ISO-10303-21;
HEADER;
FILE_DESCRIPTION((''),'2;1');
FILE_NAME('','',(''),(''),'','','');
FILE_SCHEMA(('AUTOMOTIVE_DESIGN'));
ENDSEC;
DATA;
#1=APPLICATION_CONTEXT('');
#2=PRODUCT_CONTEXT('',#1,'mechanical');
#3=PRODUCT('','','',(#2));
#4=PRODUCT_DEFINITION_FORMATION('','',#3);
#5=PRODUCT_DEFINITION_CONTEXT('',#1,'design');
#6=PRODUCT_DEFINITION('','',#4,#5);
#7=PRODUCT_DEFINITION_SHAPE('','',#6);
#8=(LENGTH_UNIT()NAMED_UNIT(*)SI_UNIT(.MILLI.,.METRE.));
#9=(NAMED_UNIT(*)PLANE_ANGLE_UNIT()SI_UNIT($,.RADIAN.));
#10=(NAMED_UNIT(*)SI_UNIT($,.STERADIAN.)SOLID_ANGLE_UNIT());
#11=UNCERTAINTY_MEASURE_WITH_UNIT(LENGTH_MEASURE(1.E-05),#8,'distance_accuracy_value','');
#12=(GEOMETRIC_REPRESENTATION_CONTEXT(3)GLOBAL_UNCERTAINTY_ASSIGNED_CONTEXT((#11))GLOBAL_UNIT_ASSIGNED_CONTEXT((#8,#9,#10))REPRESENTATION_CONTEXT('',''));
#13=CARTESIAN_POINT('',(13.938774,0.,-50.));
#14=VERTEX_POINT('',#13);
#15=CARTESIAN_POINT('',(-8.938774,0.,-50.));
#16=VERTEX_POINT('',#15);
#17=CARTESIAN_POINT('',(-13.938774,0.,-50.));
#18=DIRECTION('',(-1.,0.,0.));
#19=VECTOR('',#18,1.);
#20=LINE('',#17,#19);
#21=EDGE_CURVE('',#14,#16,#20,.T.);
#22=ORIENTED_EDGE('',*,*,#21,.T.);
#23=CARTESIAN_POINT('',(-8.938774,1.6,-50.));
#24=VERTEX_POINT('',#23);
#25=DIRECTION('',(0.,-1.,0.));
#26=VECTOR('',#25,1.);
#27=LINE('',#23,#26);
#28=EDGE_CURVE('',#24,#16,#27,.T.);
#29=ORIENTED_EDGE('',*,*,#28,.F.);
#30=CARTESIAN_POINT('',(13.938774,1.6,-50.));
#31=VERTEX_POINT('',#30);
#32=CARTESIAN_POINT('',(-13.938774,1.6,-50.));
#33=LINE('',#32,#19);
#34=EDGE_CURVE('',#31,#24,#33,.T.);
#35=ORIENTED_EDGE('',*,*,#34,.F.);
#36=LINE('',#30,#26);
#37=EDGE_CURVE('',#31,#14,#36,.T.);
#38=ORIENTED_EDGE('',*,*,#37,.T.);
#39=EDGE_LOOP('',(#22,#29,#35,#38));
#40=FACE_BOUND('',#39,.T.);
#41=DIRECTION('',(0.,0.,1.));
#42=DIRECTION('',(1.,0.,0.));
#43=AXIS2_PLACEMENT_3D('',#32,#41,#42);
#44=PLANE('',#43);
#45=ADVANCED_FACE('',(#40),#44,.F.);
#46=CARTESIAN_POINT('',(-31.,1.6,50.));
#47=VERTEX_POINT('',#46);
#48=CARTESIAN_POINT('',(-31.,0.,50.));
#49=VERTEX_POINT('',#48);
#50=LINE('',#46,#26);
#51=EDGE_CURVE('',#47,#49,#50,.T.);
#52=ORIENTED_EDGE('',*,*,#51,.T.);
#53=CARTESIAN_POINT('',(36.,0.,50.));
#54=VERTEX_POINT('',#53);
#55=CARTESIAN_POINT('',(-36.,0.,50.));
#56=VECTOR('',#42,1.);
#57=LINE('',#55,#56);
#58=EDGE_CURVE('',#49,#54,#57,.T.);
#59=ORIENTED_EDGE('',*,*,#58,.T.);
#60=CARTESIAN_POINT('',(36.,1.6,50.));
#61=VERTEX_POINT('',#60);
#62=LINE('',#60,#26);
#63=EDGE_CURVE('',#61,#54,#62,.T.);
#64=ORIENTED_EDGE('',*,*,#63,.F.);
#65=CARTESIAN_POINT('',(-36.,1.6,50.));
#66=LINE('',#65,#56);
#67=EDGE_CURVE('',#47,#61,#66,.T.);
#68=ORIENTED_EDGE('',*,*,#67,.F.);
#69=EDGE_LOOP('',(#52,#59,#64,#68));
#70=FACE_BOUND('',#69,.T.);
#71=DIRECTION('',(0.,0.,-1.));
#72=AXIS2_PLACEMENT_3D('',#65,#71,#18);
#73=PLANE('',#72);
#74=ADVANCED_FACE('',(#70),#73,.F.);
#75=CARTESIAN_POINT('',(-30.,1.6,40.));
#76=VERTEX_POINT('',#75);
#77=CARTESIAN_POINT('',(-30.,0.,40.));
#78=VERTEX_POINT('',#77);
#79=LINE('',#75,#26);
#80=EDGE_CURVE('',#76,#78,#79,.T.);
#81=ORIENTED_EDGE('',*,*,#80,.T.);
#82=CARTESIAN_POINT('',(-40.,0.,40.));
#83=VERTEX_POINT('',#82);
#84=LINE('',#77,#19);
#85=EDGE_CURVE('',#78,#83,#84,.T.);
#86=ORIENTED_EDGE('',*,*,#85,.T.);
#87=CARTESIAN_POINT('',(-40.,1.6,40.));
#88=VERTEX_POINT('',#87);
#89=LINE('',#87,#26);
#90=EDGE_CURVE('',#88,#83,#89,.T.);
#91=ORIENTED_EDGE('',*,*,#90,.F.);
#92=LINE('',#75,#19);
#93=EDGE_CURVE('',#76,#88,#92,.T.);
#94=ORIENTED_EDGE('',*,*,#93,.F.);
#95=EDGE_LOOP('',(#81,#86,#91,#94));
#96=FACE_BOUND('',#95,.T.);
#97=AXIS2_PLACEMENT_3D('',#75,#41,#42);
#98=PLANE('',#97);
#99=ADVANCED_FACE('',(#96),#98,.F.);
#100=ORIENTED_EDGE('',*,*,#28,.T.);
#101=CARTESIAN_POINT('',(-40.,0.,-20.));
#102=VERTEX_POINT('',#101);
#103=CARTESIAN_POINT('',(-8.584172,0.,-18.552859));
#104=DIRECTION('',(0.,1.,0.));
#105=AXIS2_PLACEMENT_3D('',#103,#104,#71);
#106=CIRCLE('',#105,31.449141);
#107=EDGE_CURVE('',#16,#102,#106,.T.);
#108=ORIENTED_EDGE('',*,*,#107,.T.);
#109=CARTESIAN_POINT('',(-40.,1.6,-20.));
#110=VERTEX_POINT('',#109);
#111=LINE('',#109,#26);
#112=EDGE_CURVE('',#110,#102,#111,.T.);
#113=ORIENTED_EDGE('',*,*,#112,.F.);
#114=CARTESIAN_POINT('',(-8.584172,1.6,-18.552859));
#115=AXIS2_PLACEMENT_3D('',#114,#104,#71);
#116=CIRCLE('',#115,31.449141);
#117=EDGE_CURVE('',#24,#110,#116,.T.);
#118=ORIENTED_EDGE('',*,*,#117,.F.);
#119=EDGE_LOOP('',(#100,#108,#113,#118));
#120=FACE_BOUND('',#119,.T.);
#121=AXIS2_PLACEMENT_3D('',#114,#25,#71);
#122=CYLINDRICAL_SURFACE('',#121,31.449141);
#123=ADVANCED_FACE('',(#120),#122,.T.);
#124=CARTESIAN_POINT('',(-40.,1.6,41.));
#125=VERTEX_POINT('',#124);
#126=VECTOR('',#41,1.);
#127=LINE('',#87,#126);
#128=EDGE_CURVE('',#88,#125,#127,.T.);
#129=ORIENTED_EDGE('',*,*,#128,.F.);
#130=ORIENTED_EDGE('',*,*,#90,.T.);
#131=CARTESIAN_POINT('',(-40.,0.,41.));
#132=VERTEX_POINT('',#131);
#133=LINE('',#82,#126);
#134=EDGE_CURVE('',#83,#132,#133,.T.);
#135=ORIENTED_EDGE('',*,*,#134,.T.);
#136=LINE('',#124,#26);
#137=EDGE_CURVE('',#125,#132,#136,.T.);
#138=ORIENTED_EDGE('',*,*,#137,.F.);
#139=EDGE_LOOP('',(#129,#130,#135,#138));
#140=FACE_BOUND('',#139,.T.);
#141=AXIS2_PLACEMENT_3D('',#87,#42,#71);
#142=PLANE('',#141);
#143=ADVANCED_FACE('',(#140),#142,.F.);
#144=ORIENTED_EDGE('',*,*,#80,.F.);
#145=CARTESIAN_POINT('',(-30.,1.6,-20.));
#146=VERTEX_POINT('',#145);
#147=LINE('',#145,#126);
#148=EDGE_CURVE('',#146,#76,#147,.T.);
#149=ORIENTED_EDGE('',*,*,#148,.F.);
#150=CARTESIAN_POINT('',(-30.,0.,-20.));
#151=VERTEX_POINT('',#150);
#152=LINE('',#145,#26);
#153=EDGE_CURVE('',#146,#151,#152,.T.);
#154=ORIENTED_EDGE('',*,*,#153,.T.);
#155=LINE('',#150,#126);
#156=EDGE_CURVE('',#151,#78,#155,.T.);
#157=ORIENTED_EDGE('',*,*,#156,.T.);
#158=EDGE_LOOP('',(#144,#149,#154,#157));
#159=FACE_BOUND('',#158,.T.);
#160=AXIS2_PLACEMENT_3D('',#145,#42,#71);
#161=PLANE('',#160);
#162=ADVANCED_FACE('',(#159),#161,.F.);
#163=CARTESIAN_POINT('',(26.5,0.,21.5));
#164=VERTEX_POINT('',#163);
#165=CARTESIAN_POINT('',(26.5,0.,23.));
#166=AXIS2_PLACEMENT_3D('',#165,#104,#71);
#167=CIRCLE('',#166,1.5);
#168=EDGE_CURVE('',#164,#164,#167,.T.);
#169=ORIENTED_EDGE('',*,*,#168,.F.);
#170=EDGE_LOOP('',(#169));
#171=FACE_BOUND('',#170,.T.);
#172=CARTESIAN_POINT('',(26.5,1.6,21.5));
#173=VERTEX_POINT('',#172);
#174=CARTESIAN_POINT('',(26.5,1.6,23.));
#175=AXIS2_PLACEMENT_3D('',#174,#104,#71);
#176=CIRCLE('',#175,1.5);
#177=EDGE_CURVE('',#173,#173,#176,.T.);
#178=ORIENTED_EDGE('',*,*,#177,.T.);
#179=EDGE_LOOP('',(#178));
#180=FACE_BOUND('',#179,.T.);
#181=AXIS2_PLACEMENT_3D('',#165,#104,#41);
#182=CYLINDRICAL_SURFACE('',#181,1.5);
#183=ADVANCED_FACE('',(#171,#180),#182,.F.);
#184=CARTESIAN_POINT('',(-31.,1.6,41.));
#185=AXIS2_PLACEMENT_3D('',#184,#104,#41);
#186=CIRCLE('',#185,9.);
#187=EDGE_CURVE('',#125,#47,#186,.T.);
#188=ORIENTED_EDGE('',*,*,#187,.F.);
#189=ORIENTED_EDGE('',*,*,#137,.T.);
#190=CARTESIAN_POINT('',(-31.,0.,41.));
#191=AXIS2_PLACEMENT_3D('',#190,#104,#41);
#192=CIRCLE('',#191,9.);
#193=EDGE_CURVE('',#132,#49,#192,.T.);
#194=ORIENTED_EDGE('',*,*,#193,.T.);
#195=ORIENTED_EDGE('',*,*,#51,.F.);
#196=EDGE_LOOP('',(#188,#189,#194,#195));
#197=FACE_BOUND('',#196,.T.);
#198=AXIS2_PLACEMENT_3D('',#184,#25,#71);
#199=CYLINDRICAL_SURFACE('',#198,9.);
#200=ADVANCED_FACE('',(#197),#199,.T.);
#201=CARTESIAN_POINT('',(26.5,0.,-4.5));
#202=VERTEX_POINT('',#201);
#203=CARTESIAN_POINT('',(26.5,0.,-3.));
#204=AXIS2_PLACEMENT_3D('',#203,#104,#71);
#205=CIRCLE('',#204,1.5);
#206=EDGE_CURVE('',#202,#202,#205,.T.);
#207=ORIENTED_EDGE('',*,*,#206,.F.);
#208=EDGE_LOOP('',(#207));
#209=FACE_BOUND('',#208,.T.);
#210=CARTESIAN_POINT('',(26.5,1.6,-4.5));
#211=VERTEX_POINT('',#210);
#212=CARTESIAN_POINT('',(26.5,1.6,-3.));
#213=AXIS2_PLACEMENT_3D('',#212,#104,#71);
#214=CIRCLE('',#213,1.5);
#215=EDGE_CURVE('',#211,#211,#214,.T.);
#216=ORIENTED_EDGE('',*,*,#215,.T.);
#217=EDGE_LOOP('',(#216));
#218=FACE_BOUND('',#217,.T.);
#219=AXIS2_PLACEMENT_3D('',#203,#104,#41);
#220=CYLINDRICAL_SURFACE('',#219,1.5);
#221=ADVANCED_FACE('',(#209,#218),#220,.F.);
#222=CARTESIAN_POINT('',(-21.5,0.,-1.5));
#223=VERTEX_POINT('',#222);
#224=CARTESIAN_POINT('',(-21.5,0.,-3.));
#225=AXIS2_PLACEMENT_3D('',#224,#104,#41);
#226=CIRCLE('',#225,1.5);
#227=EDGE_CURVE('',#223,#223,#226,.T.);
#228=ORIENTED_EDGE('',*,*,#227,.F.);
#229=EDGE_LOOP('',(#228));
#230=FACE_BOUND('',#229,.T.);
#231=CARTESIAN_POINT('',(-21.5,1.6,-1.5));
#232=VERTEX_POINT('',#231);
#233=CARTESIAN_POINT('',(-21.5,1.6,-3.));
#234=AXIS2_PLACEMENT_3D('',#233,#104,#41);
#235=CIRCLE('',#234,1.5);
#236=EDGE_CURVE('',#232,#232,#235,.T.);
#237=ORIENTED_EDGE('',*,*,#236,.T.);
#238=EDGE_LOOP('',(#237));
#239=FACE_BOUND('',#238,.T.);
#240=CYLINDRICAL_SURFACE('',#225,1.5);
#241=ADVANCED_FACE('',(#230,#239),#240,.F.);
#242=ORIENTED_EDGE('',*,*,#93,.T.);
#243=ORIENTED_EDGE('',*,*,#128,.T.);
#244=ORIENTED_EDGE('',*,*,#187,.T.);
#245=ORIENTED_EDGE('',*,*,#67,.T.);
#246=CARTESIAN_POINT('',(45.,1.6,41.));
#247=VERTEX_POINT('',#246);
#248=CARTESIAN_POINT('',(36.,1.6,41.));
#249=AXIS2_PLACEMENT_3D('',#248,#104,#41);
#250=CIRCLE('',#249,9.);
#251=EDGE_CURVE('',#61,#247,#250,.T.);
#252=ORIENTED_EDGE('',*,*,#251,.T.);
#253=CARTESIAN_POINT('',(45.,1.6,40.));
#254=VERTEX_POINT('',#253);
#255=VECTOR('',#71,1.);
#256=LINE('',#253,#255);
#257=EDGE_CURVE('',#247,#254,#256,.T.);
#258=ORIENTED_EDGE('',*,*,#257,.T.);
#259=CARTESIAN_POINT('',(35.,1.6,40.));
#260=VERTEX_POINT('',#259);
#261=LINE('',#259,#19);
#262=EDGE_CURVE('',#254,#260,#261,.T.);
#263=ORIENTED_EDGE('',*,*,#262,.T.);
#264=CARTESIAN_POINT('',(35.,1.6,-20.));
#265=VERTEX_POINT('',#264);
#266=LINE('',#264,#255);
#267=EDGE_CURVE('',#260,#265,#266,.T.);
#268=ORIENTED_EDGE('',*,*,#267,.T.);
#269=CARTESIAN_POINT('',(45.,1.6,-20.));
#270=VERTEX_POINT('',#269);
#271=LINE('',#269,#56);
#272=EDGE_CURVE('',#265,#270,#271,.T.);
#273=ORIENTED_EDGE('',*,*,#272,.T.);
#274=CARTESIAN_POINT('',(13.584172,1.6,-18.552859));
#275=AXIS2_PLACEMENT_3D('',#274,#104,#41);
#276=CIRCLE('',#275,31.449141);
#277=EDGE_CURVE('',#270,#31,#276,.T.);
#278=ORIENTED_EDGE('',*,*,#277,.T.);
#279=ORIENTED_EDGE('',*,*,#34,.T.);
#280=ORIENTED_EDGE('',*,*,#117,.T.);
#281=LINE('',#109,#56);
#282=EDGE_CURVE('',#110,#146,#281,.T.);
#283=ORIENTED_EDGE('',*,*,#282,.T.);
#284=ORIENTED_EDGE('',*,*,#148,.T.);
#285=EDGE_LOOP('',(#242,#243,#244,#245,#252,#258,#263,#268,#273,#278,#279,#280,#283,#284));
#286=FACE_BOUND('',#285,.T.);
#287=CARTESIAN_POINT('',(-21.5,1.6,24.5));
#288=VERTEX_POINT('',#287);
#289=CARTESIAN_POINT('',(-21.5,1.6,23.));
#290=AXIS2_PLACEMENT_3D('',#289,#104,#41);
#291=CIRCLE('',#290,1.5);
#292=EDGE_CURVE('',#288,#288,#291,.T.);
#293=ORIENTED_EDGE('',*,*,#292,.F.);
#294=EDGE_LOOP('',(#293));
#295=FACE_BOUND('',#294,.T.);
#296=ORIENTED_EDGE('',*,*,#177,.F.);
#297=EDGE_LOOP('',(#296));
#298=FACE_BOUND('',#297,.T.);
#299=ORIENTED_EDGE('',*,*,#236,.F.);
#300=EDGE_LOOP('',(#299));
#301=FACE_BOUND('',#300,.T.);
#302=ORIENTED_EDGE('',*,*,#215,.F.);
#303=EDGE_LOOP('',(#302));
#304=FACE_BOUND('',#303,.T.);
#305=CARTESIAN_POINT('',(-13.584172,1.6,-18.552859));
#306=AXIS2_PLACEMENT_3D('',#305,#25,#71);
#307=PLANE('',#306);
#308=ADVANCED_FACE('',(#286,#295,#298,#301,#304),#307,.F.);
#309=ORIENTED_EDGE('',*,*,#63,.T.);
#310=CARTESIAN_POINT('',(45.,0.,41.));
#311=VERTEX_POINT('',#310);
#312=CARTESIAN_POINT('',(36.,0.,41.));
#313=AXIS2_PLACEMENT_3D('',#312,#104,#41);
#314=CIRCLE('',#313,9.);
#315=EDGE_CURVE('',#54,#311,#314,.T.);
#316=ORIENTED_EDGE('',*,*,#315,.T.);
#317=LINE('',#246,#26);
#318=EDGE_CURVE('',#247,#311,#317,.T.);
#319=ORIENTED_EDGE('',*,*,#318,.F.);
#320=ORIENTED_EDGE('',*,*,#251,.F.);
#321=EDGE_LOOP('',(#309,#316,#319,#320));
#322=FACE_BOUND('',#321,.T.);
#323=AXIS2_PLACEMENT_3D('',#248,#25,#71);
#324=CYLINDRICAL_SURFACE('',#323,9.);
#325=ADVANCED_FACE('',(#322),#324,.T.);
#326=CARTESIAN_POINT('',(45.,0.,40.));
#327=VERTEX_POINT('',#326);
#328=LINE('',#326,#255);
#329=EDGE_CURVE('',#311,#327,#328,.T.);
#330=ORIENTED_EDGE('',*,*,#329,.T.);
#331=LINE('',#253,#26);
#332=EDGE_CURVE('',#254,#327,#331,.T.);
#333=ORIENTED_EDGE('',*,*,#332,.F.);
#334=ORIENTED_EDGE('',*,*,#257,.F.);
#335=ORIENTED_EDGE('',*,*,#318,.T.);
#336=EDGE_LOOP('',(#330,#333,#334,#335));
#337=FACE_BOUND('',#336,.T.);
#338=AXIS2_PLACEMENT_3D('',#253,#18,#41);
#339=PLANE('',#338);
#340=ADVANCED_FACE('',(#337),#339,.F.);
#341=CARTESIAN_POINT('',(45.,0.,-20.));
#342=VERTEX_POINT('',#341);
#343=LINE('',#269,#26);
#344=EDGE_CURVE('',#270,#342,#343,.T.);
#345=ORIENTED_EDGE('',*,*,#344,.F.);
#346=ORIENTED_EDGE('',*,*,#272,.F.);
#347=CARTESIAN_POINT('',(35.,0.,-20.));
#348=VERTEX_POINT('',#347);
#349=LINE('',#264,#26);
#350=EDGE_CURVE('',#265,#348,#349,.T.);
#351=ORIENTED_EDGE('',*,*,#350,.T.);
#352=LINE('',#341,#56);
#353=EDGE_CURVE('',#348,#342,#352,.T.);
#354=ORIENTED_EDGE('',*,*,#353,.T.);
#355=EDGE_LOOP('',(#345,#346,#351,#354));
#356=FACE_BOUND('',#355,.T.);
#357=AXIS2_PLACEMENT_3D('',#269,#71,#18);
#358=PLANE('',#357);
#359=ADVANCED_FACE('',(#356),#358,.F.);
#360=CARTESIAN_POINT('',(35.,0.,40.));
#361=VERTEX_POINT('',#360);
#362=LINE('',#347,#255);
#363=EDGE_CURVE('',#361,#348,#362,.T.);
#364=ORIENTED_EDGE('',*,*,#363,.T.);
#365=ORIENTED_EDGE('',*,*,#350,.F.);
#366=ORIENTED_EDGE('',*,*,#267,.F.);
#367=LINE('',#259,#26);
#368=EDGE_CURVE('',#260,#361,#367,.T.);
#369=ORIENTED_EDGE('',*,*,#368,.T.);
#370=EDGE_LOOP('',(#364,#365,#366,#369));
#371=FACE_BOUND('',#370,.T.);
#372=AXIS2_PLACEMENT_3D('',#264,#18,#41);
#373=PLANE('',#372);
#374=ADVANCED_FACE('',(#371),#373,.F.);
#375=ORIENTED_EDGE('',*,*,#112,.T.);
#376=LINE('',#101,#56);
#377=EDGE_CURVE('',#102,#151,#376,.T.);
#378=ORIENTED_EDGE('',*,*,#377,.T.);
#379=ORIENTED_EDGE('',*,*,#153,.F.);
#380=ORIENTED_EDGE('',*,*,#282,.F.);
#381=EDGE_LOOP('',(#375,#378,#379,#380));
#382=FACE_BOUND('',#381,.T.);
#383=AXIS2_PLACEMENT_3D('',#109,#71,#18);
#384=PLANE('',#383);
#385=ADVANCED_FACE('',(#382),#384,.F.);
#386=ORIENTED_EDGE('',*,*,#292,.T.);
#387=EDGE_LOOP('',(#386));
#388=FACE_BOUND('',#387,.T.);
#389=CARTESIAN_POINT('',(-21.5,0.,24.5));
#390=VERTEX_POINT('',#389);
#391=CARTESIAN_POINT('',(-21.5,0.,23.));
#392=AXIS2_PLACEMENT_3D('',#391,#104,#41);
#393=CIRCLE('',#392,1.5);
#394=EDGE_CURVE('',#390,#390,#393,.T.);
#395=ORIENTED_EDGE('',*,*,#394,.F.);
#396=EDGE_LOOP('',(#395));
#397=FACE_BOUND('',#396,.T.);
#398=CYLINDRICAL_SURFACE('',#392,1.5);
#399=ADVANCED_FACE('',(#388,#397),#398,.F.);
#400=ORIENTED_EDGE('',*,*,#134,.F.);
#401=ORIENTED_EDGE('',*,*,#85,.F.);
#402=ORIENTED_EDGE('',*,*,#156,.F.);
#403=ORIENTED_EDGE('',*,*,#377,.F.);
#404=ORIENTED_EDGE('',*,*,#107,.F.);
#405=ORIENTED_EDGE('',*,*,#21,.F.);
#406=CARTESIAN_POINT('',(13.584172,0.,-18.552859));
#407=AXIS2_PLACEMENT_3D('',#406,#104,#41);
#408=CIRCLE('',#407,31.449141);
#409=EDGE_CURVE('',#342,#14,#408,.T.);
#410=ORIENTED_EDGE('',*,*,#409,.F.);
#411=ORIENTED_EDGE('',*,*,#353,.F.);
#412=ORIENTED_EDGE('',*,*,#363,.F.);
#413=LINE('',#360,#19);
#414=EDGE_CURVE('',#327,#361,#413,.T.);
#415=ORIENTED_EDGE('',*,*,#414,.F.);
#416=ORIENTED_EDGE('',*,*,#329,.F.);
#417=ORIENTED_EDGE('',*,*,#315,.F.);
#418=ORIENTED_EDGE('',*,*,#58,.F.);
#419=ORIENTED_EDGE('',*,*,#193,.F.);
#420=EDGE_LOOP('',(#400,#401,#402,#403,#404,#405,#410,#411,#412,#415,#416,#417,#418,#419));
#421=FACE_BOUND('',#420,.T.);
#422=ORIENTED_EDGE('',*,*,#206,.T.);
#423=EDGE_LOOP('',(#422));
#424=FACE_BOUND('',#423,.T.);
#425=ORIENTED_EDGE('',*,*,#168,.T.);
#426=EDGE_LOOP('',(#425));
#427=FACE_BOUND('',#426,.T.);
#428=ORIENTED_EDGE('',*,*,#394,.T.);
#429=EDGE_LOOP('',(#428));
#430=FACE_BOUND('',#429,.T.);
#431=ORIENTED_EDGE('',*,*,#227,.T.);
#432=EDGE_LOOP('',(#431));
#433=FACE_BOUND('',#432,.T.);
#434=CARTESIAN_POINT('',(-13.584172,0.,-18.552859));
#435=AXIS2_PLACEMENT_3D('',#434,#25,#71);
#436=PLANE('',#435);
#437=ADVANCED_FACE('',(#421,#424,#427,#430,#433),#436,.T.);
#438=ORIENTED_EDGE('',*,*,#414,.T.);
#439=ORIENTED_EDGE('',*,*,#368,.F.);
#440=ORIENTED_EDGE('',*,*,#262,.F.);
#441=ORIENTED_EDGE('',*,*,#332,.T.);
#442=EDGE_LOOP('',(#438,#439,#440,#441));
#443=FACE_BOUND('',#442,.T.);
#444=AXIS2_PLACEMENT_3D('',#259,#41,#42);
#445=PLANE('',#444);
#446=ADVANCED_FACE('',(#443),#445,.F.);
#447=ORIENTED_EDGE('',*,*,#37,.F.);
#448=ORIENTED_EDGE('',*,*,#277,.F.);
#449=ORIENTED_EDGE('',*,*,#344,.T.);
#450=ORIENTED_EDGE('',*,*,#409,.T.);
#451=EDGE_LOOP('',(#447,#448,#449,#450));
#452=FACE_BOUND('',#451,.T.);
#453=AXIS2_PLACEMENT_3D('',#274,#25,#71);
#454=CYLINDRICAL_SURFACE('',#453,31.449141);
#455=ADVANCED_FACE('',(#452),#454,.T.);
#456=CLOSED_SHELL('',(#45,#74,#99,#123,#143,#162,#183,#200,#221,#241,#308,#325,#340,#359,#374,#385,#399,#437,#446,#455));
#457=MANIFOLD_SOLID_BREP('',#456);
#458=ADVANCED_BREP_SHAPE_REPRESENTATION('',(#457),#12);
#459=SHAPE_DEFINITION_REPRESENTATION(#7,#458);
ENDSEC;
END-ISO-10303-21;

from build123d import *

# Parameters (mm, degrees)
BOSS_EXTRUDE1_DEPTH            = 1.6
SKETCH2_R                      = 1.5
CUT_EXTRUDE1_DEPTH             = 68.287145875
CUT_EXTRUDE4_REACH             = 69.287
SKETCH3_W                      = 5
SKETCH3_H                      = 100
CUT_EXTRUDE4_DIRECTION_2_DEPTH = 68.287145875


with BuildPart() as part:
    # Sketch1 → Boss-Extrude1 (new body)
    with BuildSketch(Plane(origin=(0, 0, 0), x_dir=(1, 0, 0), z_dir=(0, 1, 0))):
        with BuildLine():
            Line((-13.938774234, 50), (13.938774234, 50))
            ThreePointArc((13.938774234, 50), (35.432285481, 41.173831077), (45, 20))
            Line((45, 20), (35, 20))
            Line((35, 20), (35, -40))
            Line((35, -40), (45, -40))
            Line((45, -40), (45, -41))
            ThreePointArc((45, -41), (42.363961031, -47.363961031), (36, -50))
            Line((36, -50), (-36, -50))
            ThreePointArc((-36, -50), (-42.363961031, -47.363961031), (-45, -41))
            Line((-45, -41), (-45, -40))
            Line((-45, -40), (-35, -40))
            Line((-35, -40), (-35, 20))
            Line((-35, 20), (-45, 20))
            ThreePointArc((-45, 20), (-35.432285481, 41.173831077), (-13.938774234, 50))
        make_face()
    extrude(amount=BOSS_EXTRUDE1_DEPTH)

    # Sketch2 → Cut-Extrude1 (cut, through all)
    with BuildSketch(Plane(origin=(0, 1.6, 0), x_dir=(1, 0, 0), z_dir=(0, 1, 0))):
        with Locations(Location((-26.5, 3, 0), (0, 0, 270))):
            Circle(SKETCH2_R)
        with Locations(Location((-26.5, -23, 0), (0, 0, 270))):
            Circle(SKETCH2_R)
        with Locations(Location((26.5, -23, 0), (0, 0, 90))):
            Circle(SKETCH2_R)
        with Locations(Location((26.5, 3, 0), (0, 0, 90))):
            Circle(SKETCH2_R)
    extrude(amount=-CUT_EXTRUDE1_DEPTH, mode=Mode.SUBTRACT)

    # Sketch3 → Cut-Extrude4 (cut, up to next)
    with BuildSketch(Plane(origin=(0, 0, 0), x_dir=(1, 0, 0), z_dir=(0, 1, 0)), mode=Mode.PRIVATE) as cut_extrude4_sk1:
        Rectangle(SKETCH3_W, SKETCH3_H)
    cut_extrude4_tool1 = extrude(cut_extrude4_sk1.sketch, amount=CUT_EXTRUDE4_REACH, mode=Mode.PRIVATE) & part.part
    add(cut_extrude4_tool1.solids().sort_by_distance((0, 0, 0))[0], mode=Mode.SUBTRACT)

    # Sketch3 → Cut-Extrude4 direction 2 (cut)
    with BuildSketch(Plane(origin=(0, 0, 0), x_dir=(1, 0, 0), z_dir=(0, 1, 0))):
        Rectangle(SKETCH3_W, SKETCH3_H)
    extrude(amount=-CUT_EXTRUDE4_DIRECTION_2_DEPTH, mode=Mode.SUBTRACT)


with BuildPart() as cut_extrude4_piece_1:
    # of the separate pieces the step leaves, piece 1, a body of its own (cut_extrude4_pieces)
    add(part.part.solids().sort_by_distance((2.5, 0, -50))[0])


with BuildPart() as cut_extrude4_piece_2:
    # of the separate pieces the step leaves, piece 2, a body of its own (cut_extrude4_pieces)
    add(part.part.solids().sort_by_distance((-45, 0, -20))[0])


with BuildPart() as cut_extrude4_piece_2_1:
    # Body-Move/Copy1: moved
    add(cut_extrude4_piece_2.part.moved(Location((5, 0, 0))))


with BuildPart() as cut_extrude4_piece_1_1:
    add(cut_extrude4_piece_1.part)

    # Combine1: union Cut-Extrude4 piece 2
    add(cut_extrude4_piece_2_1.part)


solid = cut_extrude4_piece_1_1.part
